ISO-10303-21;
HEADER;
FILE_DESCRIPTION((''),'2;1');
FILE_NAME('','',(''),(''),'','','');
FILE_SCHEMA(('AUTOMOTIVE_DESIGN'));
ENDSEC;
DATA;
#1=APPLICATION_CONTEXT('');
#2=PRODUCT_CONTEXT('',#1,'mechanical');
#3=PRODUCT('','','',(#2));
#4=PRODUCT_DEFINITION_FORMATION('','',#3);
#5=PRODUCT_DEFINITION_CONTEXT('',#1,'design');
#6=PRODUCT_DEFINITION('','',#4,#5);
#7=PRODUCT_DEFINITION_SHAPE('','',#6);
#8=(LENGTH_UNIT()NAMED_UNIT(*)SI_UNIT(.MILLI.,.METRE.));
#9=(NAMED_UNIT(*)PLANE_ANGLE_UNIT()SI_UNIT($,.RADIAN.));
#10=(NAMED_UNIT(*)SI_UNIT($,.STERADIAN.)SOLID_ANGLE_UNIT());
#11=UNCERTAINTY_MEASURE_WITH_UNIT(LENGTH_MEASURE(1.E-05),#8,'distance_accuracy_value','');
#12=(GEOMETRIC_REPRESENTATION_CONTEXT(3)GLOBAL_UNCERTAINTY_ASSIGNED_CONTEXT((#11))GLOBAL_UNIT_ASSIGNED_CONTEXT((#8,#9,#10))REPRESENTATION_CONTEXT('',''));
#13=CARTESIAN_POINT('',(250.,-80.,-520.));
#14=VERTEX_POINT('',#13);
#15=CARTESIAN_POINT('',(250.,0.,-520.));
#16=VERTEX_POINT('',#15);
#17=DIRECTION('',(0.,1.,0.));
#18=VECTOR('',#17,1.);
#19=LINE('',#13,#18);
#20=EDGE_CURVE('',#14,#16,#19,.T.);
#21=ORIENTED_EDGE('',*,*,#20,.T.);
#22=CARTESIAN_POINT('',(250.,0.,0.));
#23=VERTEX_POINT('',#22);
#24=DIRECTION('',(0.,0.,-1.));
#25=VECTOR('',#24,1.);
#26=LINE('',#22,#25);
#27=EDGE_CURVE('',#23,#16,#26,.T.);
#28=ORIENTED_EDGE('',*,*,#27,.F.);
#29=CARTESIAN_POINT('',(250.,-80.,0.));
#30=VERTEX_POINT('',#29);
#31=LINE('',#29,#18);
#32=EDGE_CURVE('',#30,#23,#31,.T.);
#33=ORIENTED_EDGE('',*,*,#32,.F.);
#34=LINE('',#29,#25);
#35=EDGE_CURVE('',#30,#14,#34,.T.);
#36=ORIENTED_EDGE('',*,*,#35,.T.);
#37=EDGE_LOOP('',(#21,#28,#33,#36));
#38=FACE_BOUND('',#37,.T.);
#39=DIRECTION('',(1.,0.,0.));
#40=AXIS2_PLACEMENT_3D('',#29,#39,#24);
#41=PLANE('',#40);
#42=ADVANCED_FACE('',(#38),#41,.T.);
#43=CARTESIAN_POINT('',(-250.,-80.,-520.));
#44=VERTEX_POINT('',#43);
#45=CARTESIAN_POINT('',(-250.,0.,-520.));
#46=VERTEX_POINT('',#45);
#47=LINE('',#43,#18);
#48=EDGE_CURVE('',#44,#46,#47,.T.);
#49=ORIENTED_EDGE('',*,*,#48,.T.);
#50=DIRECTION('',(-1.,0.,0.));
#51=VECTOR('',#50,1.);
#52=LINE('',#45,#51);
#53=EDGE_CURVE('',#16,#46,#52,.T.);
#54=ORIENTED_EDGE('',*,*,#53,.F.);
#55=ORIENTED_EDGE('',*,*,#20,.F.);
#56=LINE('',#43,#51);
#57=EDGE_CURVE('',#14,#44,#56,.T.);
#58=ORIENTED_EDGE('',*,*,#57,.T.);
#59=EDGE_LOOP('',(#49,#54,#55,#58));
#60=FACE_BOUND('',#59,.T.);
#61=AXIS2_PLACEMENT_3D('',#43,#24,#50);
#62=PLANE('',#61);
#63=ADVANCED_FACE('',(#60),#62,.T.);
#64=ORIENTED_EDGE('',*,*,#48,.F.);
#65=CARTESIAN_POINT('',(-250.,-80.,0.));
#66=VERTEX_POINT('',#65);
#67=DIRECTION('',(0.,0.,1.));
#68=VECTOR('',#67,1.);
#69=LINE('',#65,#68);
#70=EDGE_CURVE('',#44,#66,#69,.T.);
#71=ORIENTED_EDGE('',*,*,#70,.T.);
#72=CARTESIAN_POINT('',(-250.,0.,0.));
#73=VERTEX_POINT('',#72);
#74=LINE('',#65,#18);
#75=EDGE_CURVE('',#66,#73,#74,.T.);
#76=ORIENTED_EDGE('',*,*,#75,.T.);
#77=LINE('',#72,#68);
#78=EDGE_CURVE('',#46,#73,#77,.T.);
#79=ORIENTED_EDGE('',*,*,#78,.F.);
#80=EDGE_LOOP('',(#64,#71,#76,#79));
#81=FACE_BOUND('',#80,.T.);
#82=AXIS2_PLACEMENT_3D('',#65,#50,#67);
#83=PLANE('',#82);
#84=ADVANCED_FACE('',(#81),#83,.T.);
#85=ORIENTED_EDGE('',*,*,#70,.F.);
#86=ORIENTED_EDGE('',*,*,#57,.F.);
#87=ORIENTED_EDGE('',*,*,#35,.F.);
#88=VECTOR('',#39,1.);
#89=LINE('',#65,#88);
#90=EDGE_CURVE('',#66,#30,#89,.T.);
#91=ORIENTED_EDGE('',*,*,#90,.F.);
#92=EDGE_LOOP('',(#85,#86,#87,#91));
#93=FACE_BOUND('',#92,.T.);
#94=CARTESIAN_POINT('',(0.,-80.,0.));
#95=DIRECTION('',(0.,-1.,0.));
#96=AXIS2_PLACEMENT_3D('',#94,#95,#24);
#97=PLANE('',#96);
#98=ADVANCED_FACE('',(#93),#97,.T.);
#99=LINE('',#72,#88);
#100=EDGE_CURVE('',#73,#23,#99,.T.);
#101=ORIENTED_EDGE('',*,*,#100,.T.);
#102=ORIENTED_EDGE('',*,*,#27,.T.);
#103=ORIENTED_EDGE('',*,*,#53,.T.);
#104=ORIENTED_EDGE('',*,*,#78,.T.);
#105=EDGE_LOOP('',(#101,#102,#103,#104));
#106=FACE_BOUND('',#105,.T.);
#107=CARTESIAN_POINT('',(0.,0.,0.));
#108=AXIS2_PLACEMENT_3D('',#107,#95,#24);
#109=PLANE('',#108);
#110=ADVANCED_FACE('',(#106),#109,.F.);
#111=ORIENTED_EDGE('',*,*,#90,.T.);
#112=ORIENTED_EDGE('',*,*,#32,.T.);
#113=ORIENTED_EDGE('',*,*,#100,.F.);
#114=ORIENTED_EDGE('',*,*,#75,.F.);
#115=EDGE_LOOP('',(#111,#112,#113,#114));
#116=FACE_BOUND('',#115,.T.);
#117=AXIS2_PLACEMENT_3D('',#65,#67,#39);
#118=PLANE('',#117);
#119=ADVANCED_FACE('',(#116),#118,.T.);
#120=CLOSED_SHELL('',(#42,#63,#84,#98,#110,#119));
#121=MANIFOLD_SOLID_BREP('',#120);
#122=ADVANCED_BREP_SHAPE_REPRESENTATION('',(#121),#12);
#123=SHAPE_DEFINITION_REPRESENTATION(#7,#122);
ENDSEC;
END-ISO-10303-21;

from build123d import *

# Parameters (mm, degrees)
SKETCH1_W           = 500
SKETCH1_H           = 520
BOSS_EXTRUDE1_DEPTH = 80


with BuildPart() as part:
    # Sketch1 → Boss-Extrude1 (new body)
    with BuildSketch(Plane(origin=(0, 0, 0), x_dir=(1, 0, 0), z_dir=(0, 1, 0))):
        with Locations((0, 260)):
            Rectangle(SKETCH1_W, SKETCH1_H)
    extrude(amount=-BOSS_EXTRUDE1_DEPTH)


solid = part.part
